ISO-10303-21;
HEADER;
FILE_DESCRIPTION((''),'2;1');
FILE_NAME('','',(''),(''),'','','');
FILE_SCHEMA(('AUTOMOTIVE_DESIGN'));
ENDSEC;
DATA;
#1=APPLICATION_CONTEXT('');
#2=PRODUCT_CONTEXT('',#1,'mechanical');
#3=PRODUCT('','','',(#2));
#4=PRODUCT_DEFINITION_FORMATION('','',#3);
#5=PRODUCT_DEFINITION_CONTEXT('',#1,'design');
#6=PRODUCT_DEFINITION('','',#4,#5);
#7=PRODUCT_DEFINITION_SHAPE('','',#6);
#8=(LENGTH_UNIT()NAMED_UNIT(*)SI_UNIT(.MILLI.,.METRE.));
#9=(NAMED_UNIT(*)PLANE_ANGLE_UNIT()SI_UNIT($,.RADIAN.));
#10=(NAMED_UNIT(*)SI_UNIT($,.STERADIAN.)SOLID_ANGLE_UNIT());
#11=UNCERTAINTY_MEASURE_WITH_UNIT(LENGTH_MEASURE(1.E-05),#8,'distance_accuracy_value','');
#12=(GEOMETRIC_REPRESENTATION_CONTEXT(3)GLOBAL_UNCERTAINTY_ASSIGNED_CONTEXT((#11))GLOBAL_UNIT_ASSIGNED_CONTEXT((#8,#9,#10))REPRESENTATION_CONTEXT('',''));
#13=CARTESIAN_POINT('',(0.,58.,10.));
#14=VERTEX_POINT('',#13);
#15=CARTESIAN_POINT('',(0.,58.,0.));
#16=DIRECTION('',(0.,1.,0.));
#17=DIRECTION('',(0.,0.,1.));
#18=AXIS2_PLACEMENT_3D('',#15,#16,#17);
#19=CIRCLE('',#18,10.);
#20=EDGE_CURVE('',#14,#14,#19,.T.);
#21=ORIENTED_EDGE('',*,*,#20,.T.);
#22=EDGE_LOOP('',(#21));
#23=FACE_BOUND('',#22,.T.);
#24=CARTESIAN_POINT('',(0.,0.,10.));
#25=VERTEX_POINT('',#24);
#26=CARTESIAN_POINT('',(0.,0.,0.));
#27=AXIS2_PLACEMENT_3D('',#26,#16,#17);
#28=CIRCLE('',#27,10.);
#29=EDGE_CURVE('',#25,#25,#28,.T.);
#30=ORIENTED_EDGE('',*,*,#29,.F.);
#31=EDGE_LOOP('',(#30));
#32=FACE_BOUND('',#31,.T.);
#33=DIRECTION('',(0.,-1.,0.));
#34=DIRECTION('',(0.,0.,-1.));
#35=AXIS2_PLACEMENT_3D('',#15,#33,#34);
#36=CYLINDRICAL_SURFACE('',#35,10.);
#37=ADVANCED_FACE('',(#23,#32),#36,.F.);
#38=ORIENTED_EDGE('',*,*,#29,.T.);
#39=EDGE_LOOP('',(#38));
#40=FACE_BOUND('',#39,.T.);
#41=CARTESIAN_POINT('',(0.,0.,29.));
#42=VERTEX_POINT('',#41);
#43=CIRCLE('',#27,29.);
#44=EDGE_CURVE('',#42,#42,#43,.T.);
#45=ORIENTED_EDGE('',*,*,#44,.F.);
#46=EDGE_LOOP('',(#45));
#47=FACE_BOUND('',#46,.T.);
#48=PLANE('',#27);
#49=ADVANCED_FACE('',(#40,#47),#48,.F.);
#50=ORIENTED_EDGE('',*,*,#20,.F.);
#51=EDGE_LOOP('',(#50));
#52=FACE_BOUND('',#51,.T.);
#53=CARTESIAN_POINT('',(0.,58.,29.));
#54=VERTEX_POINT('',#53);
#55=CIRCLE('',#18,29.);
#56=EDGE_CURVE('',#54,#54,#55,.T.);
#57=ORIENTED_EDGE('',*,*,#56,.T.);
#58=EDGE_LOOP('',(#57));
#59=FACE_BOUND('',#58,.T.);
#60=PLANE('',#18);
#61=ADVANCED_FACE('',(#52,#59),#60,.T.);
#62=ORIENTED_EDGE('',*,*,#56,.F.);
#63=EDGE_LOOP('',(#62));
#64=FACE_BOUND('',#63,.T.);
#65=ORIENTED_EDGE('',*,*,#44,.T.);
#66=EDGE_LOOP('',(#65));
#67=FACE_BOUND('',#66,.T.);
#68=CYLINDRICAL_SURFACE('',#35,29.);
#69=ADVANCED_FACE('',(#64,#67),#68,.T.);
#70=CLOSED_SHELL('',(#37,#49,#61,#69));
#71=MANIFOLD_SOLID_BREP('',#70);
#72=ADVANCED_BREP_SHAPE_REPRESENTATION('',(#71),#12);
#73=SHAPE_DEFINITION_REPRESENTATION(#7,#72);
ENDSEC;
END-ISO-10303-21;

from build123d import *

# Parameters (mm, degrees)
SKETCH1_R           = 29
SKETCH1_R_2         = 10
BOSS_EXTRUDE1_DEPTH = 58


with BuildPart() as part:
    # Sketch1 → Boss-Extrude1 (new body)
    with BuildSketch(Plane(origin=(0, 0, 0), x_dir=(1, 0, 0), z_dir=(0, 1, 0))):
        Circle(SKETCH1_R)
        Circle(SKETCH1_R_2, mode=Mode.SUBTRACT)
    extrude(amount=BOSS_EXTRUDE1_DEPTH)


solid = part.part
